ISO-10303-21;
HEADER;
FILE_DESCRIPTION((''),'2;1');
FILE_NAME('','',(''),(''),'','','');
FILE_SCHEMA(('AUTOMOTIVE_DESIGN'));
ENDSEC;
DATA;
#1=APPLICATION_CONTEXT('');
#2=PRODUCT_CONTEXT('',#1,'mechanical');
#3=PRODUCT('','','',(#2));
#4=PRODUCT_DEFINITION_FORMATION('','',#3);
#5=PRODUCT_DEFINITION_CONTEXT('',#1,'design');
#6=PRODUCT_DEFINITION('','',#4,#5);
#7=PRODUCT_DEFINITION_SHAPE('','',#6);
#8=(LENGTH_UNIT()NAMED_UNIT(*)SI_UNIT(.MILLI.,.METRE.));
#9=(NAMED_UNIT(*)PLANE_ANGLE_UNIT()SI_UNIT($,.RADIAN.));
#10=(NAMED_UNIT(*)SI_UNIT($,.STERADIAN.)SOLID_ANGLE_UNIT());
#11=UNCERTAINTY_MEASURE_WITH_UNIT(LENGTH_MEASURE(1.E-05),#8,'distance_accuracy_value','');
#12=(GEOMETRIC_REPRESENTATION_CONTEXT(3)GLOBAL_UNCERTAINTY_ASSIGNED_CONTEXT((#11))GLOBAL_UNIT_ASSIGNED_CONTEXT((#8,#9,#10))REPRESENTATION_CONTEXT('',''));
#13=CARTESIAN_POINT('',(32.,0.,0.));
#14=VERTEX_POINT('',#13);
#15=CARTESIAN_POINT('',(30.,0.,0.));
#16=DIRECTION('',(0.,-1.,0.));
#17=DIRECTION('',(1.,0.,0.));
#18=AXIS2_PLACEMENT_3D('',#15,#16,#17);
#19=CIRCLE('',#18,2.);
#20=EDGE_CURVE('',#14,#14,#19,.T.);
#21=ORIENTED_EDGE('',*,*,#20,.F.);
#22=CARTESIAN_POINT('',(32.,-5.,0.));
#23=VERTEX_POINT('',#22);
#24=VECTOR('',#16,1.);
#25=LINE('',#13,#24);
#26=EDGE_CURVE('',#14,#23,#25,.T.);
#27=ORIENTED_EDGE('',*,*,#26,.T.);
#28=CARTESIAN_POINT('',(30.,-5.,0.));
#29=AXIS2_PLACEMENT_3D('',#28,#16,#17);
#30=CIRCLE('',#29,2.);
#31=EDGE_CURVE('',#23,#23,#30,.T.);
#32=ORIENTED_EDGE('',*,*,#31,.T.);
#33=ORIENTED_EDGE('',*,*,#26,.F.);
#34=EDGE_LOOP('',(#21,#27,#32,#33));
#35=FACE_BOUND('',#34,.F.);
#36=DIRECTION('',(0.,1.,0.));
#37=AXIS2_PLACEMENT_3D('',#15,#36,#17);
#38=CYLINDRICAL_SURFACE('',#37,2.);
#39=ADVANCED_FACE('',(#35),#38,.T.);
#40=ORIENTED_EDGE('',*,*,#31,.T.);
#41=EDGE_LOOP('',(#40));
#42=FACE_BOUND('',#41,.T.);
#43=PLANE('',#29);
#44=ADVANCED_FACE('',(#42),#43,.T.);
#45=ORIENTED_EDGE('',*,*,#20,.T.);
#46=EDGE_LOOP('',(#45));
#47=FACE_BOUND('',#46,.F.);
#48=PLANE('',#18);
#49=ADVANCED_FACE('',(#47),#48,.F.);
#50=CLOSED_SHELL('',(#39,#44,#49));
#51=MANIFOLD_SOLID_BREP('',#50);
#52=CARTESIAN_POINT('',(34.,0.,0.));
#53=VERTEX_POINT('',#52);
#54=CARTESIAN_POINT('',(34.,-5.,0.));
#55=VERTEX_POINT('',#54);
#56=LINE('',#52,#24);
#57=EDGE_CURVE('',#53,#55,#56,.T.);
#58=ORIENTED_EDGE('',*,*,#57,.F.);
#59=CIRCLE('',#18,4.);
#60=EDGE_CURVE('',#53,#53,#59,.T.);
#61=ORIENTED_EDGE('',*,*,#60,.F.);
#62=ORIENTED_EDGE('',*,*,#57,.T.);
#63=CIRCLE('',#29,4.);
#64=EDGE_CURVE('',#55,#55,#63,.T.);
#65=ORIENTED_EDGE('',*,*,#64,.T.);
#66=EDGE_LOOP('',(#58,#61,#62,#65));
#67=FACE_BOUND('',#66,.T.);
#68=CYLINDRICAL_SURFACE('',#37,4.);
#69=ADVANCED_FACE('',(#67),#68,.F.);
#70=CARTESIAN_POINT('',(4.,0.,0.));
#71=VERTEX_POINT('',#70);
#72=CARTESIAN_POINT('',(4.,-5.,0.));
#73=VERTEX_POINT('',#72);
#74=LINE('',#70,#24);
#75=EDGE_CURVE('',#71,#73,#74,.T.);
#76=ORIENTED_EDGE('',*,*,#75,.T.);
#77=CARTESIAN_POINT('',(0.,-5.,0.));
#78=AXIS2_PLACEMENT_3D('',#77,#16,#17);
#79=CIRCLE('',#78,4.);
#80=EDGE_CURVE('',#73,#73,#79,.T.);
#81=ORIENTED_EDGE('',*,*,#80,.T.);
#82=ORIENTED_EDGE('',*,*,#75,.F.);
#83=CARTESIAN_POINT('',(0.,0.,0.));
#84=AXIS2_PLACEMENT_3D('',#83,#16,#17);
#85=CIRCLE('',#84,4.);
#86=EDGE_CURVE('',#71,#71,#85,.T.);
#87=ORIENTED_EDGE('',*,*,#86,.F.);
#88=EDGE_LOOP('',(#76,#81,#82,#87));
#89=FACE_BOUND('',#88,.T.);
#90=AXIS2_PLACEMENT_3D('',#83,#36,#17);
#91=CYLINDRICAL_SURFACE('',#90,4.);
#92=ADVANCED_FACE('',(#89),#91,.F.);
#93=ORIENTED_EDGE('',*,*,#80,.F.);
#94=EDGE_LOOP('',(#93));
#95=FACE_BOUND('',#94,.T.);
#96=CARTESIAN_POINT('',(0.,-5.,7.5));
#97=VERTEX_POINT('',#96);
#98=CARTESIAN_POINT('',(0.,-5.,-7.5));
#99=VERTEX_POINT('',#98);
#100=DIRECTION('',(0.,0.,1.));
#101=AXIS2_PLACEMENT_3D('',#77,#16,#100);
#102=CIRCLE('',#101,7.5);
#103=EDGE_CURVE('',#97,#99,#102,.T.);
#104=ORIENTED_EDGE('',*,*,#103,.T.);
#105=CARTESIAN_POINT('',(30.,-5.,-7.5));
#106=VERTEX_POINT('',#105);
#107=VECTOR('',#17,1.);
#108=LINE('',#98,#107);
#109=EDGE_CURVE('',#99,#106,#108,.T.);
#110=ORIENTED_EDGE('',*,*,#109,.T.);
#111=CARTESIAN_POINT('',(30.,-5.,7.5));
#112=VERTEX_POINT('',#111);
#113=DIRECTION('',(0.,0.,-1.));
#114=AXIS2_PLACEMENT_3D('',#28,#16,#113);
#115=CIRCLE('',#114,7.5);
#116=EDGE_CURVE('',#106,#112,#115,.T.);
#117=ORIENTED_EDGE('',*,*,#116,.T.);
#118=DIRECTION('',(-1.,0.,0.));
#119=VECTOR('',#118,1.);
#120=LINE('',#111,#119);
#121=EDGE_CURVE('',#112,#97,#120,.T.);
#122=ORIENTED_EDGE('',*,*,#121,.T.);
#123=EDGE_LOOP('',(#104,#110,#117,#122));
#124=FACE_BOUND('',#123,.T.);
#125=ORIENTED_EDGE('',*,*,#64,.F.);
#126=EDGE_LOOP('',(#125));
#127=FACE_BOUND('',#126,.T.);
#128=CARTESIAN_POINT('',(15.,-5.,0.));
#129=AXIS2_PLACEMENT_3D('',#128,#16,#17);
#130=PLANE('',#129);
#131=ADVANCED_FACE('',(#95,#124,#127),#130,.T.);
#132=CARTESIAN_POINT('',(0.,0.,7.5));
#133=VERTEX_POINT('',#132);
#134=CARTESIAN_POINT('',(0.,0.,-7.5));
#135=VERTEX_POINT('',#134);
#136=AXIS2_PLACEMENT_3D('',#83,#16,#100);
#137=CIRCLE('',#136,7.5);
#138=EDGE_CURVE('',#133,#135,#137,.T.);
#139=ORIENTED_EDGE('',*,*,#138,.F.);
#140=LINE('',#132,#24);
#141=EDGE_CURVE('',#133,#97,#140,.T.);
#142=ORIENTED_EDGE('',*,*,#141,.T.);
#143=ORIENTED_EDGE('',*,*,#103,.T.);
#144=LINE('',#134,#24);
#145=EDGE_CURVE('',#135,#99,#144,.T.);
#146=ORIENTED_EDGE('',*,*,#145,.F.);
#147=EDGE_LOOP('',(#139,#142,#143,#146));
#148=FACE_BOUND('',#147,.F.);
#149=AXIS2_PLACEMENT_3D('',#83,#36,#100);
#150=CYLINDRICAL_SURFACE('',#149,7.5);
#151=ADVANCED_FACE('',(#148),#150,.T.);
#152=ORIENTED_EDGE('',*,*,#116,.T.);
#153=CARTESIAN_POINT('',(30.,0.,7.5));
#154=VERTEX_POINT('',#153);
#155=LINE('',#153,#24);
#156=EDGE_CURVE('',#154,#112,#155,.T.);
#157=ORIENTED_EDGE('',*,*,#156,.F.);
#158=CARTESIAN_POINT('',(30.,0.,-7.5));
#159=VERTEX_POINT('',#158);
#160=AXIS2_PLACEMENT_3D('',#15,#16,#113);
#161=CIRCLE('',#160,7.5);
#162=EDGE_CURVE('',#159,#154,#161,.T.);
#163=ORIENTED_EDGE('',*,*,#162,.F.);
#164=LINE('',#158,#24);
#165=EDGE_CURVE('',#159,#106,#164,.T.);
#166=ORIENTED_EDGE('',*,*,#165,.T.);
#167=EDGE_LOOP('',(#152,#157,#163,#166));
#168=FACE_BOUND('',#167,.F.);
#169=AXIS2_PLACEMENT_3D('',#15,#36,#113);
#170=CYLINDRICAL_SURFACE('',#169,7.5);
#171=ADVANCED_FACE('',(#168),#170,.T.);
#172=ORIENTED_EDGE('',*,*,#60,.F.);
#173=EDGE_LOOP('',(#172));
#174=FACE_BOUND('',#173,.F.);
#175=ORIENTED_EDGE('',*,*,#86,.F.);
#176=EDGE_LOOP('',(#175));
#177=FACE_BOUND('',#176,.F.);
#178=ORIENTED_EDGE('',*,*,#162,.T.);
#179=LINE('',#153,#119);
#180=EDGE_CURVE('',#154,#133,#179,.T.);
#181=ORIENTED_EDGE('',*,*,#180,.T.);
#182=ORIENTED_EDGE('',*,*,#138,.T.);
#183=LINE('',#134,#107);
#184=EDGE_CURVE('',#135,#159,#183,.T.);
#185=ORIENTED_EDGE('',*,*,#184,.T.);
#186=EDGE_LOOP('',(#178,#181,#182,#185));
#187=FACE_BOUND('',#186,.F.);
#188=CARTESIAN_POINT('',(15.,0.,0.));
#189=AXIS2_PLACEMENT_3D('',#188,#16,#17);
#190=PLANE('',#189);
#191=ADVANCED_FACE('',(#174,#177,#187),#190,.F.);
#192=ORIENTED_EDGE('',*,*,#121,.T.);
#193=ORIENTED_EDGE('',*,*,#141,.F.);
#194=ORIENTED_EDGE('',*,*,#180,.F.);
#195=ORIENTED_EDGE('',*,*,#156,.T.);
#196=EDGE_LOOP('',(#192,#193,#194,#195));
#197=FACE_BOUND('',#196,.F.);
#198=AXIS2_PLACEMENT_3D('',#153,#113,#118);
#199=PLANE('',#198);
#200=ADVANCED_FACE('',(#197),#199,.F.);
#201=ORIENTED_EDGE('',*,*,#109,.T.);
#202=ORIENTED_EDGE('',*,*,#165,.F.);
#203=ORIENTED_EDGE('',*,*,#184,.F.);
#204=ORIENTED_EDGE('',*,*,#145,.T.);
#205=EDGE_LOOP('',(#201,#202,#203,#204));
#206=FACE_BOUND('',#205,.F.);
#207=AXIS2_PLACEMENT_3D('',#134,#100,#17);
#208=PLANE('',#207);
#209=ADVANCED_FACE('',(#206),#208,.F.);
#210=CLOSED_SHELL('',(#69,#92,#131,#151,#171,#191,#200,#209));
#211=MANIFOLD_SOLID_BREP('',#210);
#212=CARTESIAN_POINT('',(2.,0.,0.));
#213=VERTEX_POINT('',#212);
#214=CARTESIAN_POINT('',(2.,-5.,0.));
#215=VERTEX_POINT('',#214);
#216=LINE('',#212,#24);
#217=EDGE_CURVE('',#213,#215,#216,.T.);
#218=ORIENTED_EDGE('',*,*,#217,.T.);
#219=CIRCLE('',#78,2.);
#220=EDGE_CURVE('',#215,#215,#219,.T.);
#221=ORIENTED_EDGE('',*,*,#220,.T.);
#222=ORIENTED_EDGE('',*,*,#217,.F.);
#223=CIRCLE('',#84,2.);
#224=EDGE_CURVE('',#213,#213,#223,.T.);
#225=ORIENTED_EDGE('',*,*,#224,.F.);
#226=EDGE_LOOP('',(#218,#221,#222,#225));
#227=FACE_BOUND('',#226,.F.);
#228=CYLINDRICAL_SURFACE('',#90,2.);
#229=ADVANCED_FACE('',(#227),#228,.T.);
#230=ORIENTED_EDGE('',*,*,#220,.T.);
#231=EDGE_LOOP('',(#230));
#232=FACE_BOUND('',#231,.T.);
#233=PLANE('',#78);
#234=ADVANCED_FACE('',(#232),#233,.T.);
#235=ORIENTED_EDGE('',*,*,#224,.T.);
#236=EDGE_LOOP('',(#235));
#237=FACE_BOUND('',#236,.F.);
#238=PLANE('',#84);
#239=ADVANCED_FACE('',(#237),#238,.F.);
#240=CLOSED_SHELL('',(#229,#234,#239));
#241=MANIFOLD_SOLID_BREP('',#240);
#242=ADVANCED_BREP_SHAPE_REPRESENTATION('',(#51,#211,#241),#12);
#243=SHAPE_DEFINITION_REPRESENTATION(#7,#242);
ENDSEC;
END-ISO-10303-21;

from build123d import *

# Parameters (mm, degrees)
F0_R     = 4
F1_DEPTH = 5
F2_R     = 2
F3_DEPTH = 5


with BuildPart() as f1:
    # F0 (on Front) → F1 (new body)
    with BuildSketch(Plane.XZ):
        with BuildLine():
            Line((30, 7.5), (0, 7.5))
            ThreePointArc((0, 7.5), (-7.5, 0), (0, -7.5))
            Line((0, -7.5), (30, -7.5))
            ThreePointArc((30, -7.5), (37.5, 0), (30, 7.5))
        make_face()
        Circle(F0_R, mode=Mode.SUBTRACT)
        with Locations((30, 0)):
            Circle(F0_R, mode=Mode.SUBTRACT)
    extrude(amount=F1_DEPTH)


with BuildPart() as f3:
    # F2 (on Front) → F3 (new body)
    with BuildSketch(Plane.XZ):
        Circle(F2_R)
        with Locations((30, 0)):
            Circle(F2_R)
    extrude(amount=F3_DEPTH)


solid = Compound([f1.part, f3.part])
